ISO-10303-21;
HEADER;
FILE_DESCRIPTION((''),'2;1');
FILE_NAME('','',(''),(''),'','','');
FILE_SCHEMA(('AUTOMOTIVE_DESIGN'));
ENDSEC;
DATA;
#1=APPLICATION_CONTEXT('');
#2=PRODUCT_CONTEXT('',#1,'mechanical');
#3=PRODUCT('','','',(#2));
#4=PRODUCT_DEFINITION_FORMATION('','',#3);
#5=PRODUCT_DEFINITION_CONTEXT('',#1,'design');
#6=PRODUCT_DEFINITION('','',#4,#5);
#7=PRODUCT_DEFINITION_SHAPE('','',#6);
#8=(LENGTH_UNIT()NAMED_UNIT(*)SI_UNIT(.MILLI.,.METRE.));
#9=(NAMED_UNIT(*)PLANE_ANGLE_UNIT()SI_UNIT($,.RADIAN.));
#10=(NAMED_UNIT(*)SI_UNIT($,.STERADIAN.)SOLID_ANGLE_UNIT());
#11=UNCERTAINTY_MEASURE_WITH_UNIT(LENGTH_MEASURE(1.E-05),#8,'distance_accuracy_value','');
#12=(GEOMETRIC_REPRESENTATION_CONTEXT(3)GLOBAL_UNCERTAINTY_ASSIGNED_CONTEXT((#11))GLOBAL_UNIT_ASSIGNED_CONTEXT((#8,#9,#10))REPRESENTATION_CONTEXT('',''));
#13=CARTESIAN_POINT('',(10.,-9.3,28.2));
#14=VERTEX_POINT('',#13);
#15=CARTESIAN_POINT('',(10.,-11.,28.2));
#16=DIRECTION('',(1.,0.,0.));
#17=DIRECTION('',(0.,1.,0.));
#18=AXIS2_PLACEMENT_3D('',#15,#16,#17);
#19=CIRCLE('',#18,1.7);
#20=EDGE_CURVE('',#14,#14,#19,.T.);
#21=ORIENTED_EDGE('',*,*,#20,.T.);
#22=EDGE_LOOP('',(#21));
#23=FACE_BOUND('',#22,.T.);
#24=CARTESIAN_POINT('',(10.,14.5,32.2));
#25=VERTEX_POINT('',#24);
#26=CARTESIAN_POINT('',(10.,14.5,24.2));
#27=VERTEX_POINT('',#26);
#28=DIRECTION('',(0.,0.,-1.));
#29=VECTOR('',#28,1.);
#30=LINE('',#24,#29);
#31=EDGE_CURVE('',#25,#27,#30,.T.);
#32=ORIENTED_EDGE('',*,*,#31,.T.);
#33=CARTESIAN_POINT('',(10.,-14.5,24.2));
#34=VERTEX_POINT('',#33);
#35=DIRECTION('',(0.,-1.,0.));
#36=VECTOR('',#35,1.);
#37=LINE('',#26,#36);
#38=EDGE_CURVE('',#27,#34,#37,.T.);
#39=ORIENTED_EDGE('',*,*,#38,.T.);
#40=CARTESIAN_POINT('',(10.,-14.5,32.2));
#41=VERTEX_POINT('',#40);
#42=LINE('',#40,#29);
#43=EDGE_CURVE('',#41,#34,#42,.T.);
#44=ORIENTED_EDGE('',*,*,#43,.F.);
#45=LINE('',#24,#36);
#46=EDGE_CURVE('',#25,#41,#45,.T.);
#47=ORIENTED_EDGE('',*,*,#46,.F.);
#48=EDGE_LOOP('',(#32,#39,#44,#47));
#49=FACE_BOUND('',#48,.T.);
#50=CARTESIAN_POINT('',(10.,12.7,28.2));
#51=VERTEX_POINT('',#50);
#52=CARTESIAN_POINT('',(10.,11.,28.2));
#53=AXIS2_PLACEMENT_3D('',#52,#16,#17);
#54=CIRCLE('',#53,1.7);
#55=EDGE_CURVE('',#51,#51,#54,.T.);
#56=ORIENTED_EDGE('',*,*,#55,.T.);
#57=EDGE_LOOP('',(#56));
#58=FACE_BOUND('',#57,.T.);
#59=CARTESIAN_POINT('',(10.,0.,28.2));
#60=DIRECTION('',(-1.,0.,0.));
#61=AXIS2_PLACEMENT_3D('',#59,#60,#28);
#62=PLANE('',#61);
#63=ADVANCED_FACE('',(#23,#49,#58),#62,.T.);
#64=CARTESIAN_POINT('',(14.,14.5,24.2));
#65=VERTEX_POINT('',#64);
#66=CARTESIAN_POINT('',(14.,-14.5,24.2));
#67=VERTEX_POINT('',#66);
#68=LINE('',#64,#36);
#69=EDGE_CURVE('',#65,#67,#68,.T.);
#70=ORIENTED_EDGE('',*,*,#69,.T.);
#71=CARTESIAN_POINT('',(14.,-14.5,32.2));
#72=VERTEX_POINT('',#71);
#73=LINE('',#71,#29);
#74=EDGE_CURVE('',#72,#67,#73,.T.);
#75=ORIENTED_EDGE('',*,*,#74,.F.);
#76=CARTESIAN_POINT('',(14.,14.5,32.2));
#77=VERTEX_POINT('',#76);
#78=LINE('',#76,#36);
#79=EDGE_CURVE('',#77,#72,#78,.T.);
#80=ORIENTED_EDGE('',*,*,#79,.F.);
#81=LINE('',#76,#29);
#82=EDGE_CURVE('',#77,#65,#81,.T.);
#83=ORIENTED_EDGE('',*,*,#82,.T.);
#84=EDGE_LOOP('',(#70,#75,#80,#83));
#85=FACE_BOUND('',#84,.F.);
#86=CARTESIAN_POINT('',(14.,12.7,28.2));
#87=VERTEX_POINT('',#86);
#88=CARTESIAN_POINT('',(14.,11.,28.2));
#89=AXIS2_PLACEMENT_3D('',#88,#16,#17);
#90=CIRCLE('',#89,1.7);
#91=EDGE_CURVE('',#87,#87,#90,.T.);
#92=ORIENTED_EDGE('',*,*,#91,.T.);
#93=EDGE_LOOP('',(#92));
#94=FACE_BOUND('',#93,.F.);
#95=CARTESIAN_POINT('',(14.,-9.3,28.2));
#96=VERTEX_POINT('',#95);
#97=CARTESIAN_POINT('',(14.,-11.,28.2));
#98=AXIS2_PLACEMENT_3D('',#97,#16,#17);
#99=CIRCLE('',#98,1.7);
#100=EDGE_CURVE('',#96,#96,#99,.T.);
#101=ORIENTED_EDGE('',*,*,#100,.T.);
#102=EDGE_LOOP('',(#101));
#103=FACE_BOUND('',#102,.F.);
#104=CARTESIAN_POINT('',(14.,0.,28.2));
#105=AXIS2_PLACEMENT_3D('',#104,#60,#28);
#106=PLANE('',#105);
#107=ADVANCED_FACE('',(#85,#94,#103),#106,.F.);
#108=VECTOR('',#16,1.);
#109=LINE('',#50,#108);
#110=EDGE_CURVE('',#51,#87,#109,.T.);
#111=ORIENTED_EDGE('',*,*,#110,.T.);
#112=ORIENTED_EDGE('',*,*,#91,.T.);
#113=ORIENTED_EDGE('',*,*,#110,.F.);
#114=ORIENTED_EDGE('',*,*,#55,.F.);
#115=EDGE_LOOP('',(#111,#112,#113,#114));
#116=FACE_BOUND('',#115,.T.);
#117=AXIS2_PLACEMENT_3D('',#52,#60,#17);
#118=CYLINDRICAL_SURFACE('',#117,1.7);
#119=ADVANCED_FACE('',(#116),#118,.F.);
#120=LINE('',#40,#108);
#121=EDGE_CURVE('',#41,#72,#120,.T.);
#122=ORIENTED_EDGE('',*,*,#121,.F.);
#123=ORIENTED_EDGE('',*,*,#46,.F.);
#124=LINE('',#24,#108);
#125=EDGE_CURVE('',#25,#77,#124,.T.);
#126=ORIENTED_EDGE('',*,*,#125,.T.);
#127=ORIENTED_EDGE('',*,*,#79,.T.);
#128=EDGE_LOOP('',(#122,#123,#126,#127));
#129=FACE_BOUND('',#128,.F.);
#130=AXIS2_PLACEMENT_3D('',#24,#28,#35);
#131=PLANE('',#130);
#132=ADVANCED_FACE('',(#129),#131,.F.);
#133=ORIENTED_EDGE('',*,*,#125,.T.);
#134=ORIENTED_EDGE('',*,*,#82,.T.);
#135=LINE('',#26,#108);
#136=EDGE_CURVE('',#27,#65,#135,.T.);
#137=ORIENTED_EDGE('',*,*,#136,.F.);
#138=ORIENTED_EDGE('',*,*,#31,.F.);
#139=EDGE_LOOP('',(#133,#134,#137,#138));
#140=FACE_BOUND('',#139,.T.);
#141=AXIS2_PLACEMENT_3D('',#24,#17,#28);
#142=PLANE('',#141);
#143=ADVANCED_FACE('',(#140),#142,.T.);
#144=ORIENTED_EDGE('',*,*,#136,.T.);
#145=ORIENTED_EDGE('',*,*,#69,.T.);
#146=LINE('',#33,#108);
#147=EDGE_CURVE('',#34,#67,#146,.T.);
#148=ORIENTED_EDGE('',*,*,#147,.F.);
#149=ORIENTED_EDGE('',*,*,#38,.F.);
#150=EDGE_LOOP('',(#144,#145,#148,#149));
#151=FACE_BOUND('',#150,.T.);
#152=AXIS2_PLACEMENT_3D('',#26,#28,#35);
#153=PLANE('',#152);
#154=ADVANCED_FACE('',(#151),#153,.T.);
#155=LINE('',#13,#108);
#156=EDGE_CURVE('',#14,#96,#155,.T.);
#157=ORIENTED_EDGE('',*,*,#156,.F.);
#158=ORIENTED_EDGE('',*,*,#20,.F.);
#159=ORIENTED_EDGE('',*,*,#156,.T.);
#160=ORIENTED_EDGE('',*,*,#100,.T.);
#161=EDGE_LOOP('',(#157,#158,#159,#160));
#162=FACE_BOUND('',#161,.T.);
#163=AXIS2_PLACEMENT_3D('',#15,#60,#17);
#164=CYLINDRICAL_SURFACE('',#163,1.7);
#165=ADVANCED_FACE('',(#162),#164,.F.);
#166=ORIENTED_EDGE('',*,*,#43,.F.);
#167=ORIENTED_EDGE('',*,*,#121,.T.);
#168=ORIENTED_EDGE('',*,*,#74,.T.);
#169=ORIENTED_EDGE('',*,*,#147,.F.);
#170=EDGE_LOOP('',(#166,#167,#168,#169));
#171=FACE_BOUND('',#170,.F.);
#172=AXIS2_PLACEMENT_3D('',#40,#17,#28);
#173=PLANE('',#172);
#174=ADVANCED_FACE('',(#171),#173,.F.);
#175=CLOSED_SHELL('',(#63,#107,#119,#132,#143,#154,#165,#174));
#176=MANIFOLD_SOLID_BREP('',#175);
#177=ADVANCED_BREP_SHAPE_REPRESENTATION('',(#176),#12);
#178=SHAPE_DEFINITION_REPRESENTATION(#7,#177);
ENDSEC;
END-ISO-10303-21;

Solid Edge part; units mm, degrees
sketch "Sketch1" plane through (10, 0, 0) normal (1, 0, 0) x (0, 1, 0)
  circle A0 centre (-11, 28.2) radius 1.7
  circle A1 centre (11, 28.2) radius 1.7
  line L0 (14.5, 24.2) -> (-14.5, 24.2)
  line L1 (-14.5, 32.2) -> (-14.5, 24.2)
  line L2 (14.5, 32.2) -> (-14.5, 32.2)
  line L3 (14.5, 32.2) -> (14.5, 24.2)
extrude "ExtrudedProtrusion_1" add sketch "Sketch1" along normal blind 4
properties material "ABS Plastic, medium impact"
